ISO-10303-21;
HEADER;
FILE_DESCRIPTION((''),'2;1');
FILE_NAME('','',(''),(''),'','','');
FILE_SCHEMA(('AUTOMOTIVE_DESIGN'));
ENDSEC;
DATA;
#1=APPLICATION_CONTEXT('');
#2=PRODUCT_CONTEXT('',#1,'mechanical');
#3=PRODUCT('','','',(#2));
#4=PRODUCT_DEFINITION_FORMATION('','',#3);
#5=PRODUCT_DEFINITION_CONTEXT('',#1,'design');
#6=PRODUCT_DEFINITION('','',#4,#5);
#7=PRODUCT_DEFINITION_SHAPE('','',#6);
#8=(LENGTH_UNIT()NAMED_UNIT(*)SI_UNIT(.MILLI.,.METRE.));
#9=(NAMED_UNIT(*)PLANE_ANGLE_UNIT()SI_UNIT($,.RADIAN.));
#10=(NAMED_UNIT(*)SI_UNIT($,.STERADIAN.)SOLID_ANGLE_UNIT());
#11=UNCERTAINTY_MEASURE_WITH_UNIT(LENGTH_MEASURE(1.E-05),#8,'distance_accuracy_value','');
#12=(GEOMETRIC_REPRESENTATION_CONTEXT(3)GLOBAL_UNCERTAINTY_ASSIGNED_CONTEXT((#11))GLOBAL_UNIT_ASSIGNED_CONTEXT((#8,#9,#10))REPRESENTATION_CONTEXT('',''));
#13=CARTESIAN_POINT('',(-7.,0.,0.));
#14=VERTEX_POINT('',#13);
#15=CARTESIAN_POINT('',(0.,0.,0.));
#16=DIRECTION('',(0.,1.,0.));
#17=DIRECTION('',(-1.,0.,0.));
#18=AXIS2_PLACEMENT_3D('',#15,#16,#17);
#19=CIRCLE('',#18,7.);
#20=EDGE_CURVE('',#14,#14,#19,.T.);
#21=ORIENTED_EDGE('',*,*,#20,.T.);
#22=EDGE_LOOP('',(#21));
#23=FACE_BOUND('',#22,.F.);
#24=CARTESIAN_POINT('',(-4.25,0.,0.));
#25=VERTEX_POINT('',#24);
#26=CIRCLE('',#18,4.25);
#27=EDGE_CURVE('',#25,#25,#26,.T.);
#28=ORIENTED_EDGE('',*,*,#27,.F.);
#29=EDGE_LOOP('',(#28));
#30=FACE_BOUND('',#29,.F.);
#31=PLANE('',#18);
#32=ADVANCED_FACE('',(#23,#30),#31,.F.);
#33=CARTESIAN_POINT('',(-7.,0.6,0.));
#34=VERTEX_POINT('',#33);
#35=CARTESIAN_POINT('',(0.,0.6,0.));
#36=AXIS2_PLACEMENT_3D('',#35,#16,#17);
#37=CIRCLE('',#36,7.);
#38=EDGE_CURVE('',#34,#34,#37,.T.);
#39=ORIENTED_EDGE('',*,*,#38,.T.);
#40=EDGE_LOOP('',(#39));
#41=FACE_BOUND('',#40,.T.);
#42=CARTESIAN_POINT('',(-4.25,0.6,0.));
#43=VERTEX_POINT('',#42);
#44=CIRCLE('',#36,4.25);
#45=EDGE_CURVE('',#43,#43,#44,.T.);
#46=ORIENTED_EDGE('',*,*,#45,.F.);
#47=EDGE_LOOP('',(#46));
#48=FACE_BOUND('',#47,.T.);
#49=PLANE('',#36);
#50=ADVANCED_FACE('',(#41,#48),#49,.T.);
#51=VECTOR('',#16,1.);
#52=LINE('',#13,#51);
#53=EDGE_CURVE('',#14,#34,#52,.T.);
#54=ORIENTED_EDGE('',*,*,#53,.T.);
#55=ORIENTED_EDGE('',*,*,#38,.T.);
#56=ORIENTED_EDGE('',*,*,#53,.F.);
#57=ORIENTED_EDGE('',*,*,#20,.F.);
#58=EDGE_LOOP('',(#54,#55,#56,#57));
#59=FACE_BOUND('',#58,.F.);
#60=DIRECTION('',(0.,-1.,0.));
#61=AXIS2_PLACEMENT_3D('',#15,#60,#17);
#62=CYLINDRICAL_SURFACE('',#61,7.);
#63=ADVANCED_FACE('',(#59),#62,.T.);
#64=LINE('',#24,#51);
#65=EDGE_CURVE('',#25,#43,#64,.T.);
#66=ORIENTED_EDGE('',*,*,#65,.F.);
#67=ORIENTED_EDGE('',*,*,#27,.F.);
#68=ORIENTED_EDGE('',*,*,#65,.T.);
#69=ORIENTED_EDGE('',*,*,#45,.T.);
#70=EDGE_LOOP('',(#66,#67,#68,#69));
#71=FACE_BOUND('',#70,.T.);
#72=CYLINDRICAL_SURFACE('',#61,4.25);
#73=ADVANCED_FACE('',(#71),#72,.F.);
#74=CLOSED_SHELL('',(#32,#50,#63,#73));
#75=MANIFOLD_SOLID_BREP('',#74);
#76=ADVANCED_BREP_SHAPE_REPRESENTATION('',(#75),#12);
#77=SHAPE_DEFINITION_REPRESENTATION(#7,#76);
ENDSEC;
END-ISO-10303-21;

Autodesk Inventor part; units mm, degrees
ref_plane "YZ Plane" through (0, 0, 0) normal (1, 0, 0) x (0, 1, 0)
ref_plane "XZ Plane" through (0, 0, 0) normal (0, 1, 0) x (-1, 0, 0)
ref_plane "XY Plane" through (0, 0, 0) normal (0, 0, 1) x (1, 0, 0)
sketch "Sketch1" plane through (0, 0, 0) normal (0, 1, 0) x (-1, 0, 0)
  circle A0 centre (0, 0) radius 4.25
  circle A1 centre (0, 0) radius 7
  dimension "d0" = 8.5
  dimension "d1" = 14
extrude "Extrusion1" add sketch "Sketch1" along normal blind 0.6
properties part number "Axle_Spacers"
